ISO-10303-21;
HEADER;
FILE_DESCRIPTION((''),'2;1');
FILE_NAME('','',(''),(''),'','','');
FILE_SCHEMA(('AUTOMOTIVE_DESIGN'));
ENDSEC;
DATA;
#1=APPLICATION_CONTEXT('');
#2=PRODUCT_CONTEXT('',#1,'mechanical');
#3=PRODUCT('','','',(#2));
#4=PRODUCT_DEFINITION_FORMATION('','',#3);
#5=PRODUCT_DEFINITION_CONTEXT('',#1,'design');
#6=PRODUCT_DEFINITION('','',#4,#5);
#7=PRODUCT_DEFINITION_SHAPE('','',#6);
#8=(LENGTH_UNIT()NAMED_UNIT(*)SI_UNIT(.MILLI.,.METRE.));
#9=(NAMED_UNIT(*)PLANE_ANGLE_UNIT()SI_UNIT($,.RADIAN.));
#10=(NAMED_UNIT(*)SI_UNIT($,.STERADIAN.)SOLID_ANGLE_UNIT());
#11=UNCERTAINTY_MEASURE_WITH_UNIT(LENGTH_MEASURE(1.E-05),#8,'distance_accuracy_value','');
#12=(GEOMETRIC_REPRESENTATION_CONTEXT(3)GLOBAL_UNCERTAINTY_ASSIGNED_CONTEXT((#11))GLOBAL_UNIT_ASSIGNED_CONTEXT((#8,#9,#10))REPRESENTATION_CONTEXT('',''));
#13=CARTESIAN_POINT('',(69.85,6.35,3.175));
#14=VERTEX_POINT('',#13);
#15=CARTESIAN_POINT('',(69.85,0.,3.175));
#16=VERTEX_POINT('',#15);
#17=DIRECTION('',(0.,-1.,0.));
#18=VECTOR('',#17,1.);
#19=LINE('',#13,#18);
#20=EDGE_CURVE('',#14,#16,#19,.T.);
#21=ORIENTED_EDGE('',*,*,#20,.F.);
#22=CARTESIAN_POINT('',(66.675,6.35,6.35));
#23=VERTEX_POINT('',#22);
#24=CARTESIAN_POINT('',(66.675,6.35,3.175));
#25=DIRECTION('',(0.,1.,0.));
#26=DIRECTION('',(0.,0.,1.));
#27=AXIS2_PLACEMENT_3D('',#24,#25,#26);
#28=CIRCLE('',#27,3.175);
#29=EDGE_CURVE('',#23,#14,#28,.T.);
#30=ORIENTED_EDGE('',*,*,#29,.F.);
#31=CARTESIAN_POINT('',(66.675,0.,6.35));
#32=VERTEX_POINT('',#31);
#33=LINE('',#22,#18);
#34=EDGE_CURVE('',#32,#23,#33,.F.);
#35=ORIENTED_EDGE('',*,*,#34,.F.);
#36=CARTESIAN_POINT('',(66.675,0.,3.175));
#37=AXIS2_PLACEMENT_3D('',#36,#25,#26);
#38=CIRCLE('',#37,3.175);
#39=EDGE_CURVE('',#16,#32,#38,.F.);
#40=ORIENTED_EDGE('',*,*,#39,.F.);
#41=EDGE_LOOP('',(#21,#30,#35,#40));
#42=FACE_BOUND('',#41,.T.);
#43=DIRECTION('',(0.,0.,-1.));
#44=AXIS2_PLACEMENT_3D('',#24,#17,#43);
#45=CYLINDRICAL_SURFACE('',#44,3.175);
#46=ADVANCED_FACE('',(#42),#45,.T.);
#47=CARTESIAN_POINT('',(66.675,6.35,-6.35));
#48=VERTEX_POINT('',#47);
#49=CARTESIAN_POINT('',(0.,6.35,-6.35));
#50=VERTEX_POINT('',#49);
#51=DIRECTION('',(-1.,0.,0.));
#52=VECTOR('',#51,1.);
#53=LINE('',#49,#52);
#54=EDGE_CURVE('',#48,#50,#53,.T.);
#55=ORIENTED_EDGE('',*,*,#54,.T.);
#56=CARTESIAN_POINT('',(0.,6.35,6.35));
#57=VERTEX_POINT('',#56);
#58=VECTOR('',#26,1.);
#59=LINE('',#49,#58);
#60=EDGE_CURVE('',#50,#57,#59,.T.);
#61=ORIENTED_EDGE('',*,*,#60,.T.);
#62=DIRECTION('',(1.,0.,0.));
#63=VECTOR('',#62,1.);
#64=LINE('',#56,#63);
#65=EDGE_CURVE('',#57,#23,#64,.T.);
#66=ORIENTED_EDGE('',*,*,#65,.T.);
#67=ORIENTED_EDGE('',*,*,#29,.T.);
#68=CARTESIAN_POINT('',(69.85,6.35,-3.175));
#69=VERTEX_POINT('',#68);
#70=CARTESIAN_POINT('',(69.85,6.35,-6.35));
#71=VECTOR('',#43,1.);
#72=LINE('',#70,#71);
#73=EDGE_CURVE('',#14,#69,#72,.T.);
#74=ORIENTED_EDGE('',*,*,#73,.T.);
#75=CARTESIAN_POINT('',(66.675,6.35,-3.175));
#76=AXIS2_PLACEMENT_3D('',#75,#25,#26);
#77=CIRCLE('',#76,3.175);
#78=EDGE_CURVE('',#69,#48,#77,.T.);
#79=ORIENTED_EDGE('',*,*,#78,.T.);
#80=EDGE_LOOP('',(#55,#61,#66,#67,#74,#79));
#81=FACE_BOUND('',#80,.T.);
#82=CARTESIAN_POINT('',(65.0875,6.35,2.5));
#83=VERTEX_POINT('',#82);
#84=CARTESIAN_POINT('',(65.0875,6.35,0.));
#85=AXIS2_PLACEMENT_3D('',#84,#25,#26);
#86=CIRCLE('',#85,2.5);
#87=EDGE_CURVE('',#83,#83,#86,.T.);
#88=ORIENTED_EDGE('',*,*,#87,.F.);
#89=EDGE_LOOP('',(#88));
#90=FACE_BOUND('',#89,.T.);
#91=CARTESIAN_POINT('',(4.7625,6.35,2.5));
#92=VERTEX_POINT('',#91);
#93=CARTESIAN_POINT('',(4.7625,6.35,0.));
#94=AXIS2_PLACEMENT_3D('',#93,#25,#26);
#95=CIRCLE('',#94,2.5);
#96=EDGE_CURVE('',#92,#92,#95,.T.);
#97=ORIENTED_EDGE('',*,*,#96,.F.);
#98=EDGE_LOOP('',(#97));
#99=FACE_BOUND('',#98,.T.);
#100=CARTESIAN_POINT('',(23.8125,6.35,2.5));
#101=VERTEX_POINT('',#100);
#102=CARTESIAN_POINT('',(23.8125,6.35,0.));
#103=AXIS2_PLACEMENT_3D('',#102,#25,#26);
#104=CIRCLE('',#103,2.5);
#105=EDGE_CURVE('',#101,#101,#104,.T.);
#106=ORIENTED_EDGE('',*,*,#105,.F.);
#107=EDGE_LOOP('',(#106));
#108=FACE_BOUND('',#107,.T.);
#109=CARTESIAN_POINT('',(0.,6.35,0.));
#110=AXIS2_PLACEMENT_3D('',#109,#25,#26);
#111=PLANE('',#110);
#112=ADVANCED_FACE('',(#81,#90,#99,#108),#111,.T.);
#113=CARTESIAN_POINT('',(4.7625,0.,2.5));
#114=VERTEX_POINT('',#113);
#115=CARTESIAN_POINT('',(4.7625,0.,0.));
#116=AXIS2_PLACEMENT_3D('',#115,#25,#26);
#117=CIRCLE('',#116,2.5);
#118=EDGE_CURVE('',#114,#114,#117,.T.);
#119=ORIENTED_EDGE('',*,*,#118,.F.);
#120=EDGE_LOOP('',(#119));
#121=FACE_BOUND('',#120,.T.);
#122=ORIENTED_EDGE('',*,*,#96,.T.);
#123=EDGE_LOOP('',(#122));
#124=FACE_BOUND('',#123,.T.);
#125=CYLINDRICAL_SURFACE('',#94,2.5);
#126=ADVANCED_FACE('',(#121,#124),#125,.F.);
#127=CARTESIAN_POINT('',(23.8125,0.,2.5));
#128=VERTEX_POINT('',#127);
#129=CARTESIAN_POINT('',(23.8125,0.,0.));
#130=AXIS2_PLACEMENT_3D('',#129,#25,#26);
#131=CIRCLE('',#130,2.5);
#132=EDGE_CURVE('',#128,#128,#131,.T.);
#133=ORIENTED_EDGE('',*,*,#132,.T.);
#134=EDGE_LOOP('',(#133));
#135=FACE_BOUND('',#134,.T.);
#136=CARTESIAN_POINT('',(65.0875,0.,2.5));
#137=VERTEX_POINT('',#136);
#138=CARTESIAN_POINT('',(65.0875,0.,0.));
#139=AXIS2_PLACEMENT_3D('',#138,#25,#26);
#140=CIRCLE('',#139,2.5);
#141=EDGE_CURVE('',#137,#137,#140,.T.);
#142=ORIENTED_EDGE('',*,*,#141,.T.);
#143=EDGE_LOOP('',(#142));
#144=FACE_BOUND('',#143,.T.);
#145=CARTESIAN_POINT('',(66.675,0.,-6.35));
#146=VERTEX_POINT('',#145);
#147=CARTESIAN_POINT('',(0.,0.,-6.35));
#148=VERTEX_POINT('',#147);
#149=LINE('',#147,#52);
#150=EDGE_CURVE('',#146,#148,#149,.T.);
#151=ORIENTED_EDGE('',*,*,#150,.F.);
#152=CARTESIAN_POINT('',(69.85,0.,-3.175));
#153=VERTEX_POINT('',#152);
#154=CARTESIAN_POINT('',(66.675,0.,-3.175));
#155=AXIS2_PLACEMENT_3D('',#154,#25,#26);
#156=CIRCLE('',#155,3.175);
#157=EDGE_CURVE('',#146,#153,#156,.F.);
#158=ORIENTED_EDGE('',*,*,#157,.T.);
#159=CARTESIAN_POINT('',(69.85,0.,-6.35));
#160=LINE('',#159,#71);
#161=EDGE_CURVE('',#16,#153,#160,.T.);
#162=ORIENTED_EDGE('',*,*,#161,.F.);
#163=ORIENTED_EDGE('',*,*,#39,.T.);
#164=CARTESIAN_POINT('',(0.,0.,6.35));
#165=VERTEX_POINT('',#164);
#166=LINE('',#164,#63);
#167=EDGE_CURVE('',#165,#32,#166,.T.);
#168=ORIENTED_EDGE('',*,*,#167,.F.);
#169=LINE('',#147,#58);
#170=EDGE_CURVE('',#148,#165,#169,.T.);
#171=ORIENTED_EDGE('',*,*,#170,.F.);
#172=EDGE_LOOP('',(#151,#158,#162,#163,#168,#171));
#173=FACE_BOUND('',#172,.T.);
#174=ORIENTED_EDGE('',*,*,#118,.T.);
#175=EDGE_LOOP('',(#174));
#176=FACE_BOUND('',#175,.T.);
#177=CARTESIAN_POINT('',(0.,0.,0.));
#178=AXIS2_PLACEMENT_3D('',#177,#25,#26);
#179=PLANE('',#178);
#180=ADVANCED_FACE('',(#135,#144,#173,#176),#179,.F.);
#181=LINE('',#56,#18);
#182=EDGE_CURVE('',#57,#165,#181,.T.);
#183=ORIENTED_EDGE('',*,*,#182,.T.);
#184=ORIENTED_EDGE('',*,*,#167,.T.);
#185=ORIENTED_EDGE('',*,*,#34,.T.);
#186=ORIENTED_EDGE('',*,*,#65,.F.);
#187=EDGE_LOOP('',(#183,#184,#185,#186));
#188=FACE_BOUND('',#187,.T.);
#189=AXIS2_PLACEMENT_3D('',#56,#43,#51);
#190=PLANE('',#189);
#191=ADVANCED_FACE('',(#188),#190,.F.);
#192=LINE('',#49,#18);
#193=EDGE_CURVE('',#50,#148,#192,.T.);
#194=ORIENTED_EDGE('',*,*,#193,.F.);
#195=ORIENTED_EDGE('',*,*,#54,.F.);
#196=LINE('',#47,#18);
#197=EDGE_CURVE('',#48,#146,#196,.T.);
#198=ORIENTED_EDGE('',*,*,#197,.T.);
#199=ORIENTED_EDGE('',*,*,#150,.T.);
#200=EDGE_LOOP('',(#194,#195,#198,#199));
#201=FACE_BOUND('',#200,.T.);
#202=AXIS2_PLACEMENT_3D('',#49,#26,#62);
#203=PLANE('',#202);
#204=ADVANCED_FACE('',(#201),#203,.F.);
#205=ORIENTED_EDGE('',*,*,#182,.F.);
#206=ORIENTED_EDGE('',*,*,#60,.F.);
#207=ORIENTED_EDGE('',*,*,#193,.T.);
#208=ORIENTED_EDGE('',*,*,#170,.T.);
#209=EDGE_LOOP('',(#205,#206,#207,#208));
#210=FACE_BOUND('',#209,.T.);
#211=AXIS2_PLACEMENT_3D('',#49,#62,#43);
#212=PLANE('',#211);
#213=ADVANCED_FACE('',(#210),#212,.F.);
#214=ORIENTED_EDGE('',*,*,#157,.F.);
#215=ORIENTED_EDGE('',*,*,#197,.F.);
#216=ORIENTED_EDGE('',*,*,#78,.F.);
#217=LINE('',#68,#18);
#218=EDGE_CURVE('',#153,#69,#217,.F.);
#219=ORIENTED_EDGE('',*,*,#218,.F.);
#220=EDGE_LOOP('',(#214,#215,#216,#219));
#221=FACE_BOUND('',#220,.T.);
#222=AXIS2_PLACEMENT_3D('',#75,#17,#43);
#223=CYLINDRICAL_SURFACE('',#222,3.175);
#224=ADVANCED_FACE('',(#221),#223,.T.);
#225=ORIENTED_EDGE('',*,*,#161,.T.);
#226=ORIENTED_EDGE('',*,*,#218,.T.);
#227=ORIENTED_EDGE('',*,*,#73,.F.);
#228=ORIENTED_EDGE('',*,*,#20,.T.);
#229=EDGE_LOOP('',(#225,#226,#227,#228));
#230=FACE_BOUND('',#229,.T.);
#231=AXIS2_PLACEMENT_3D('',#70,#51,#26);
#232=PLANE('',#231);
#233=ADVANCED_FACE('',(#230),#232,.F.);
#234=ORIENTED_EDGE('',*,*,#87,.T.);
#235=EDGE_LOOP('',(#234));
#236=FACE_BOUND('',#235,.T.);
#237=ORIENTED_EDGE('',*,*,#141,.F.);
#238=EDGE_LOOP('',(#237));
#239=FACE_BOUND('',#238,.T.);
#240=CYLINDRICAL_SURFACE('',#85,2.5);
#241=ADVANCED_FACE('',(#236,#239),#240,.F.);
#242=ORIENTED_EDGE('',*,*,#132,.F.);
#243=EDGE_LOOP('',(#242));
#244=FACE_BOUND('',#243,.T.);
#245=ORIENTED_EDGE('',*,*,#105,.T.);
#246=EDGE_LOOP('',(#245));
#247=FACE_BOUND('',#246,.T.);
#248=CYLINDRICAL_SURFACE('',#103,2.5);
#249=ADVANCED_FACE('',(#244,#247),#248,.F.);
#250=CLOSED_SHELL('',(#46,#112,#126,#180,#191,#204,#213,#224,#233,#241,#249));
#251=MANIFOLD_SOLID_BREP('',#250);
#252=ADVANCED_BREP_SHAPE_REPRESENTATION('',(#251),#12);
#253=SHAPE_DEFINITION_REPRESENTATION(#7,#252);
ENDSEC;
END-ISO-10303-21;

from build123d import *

# Parameters (mm, degrees)
SKETCH1_W             = 69.85
SKETCH1_H             = 12.7
BOSS_EXTRUDE1_DEPTH   = 6.35
M6X1_0_TAPPED_HOLE1_D = 5
FILLET1_R             = 3.175


with BuildPart() as part:
    # Sketch1 → Boss-Extrude1 (new body)
    with BuildSketch(Plane(origin=(0, 0, 0), x_dir=(1, 0, 0), z_dir=(0, 1, 0))):
        with Locations((34.925, 0)):
            Rectangle(SKETCH1_W, SKETCH1_H)
    extrude(amount=BOSS_EXTRUDE1_DEPTH)

    # M6x1.0 Tapped Hole1 (through all)
    with Locations(Plane(origin=(0, 6.35, 0), x_dir=(1, 0, 0), z_dir=(0, 1, 0))):
        with Locations((4.7625, 0), (23.8125, 0), (65.0875, 0)):
            Hole(M6X1_0_TAPPED_HOLE1_D / 2)

    # Fillet1
    fillet1_edges = [part.edges().sort_by_distance(p)[0] for p in [
        (69.85, 3.175, -6.35),
        (69.85, 3.175, 6.35),
    ]]
    fillet(fillet1_edges, radius=FILLET1_R)


solid = part.part
